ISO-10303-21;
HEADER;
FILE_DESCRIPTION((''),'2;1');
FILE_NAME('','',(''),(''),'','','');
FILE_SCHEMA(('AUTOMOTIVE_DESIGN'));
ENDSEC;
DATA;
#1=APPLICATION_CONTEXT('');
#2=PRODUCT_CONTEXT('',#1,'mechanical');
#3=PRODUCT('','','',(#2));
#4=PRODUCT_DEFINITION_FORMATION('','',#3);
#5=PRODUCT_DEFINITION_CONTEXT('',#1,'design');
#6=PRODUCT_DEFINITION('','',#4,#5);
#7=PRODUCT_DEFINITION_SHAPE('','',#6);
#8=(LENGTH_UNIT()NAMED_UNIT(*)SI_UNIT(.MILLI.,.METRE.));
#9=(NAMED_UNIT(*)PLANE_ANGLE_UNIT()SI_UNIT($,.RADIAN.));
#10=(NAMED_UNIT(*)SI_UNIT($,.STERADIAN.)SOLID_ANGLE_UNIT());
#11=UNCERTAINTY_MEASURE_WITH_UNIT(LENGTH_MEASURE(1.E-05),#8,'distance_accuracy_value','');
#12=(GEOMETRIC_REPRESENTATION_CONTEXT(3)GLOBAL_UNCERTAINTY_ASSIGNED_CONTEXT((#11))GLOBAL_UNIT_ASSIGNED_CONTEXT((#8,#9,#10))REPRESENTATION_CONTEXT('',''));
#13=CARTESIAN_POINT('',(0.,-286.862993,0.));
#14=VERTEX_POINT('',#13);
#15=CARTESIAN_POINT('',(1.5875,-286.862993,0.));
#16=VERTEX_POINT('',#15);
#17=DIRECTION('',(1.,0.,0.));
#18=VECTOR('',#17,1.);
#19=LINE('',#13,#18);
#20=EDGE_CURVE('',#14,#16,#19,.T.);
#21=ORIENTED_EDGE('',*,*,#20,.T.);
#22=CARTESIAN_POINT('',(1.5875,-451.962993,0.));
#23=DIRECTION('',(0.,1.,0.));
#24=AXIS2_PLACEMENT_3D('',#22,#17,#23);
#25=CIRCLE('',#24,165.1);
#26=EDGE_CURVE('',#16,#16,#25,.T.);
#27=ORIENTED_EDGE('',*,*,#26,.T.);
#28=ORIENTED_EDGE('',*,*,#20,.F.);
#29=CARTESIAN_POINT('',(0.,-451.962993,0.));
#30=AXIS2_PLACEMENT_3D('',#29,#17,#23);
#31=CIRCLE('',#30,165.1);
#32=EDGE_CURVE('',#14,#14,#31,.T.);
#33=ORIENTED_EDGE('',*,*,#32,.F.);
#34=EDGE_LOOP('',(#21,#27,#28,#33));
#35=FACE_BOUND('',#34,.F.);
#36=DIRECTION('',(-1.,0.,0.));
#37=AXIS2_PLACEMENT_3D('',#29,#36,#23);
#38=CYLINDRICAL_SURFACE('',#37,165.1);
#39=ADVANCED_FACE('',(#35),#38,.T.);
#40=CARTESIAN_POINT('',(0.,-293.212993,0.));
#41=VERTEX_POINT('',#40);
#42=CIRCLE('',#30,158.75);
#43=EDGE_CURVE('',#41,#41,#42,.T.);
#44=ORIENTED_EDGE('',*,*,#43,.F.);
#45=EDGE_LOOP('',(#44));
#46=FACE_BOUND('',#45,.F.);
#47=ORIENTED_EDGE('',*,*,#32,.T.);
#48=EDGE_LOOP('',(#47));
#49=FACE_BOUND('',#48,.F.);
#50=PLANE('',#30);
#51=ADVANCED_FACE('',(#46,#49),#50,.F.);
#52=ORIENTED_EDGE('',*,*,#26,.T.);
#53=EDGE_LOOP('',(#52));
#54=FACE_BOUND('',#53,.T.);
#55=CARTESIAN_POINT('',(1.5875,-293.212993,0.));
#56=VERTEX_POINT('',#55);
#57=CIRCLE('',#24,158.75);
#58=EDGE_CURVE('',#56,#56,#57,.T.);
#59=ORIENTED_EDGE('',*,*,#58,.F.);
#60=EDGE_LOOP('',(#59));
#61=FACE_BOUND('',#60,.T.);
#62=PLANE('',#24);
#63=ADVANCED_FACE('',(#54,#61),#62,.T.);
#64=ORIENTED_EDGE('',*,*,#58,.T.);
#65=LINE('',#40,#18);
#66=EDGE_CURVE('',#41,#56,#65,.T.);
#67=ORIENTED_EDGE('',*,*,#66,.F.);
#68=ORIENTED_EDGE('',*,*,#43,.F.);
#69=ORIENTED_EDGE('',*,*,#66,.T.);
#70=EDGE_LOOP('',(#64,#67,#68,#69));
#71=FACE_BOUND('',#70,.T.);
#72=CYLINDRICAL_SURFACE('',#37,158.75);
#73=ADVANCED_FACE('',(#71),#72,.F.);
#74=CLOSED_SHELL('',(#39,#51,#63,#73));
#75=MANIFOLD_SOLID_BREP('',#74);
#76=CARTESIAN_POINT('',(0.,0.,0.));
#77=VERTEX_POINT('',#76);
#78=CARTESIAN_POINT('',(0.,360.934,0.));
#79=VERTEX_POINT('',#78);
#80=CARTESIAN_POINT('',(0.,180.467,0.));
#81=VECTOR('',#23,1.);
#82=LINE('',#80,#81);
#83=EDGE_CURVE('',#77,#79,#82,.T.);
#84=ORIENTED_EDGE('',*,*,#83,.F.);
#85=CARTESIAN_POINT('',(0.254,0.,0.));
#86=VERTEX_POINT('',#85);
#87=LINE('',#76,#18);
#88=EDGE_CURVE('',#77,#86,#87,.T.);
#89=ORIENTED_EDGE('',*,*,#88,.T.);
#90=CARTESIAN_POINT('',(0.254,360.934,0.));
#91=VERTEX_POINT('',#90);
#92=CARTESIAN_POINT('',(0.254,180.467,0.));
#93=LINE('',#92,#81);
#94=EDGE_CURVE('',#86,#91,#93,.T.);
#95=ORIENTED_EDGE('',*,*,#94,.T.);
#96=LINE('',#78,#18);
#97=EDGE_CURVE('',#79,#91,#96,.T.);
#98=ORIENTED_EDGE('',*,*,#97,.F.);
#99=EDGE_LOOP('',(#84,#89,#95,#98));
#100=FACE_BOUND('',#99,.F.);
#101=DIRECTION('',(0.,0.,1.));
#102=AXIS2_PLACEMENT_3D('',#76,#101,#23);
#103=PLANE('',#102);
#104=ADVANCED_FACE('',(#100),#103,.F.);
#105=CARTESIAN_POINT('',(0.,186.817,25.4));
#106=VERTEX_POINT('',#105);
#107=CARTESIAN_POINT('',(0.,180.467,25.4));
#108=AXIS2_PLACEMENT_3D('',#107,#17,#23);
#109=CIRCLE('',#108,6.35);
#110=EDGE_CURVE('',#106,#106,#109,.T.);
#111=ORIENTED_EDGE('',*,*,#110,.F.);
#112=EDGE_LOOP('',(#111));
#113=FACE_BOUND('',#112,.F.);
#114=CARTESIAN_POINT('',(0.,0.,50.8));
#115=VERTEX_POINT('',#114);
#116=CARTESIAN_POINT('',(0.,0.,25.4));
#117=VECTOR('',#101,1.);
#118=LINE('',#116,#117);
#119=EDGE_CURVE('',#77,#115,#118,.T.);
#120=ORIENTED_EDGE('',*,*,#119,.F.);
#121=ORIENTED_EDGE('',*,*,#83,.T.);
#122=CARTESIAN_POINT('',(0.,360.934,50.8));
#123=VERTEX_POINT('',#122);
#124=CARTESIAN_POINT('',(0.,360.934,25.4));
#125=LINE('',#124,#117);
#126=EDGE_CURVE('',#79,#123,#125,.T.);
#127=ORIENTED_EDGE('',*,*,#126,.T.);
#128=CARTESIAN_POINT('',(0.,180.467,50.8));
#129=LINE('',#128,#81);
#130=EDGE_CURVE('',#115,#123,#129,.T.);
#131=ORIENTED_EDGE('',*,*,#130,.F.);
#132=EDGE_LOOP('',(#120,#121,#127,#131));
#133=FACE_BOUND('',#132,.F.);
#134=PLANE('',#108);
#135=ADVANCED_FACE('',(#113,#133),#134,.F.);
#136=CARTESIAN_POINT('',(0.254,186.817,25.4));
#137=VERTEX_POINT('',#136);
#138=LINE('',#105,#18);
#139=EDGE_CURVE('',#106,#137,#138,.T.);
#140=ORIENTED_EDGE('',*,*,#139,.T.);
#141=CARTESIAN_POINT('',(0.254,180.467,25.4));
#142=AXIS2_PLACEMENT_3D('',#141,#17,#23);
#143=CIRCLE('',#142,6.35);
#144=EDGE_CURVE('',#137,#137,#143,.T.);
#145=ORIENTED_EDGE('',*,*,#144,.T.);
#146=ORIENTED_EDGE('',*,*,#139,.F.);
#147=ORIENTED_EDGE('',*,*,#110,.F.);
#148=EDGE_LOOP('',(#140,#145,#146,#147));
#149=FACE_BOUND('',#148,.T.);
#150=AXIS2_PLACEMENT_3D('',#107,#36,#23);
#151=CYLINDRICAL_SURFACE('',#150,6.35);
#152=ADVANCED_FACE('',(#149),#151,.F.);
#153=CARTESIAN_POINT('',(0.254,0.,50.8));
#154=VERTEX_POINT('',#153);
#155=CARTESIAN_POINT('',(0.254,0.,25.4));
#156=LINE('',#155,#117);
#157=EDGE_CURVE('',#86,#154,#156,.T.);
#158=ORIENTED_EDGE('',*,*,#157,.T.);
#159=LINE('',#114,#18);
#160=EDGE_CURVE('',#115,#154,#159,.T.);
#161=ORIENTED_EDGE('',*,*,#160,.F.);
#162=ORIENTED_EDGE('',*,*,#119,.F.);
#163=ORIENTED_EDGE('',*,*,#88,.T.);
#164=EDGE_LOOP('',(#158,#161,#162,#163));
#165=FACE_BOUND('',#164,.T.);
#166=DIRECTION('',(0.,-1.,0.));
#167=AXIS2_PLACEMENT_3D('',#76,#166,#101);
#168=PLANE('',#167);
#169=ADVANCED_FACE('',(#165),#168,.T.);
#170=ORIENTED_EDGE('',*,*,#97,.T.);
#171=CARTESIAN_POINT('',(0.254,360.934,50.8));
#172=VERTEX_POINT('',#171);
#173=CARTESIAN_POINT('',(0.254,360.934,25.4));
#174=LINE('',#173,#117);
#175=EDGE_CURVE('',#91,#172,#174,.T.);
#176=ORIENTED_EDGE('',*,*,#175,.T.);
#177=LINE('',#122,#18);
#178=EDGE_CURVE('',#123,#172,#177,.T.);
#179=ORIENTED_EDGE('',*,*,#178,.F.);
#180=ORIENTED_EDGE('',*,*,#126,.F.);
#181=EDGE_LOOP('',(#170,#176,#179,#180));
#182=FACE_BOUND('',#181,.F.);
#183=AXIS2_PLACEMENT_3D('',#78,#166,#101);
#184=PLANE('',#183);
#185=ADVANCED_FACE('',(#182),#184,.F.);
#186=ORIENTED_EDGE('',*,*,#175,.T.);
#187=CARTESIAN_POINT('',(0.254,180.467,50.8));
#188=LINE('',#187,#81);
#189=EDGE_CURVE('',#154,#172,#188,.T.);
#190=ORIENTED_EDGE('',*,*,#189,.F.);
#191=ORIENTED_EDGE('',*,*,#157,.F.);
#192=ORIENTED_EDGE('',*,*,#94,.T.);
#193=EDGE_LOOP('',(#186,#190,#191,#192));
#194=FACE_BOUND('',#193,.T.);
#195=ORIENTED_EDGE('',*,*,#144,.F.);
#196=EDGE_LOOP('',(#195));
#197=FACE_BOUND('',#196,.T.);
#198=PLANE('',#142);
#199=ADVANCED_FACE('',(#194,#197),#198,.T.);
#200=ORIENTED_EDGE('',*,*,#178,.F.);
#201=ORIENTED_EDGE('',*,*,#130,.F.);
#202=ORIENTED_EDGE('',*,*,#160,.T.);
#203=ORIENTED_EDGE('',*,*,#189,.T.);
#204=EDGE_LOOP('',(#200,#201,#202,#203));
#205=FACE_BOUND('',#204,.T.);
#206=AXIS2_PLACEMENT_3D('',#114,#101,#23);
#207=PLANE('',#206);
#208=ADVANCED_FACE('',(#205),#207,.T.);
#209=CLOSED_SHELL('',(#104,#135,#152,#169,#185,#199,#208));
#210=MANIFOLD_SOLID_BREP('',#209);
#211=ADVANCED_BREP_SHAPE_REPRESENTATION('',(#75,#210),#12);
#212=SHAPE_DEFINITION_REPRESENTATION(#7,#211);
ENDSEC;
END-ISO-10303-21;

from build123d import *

# Parameters (mm, degrees)
F0_W     = 360.934
F0_H     = 50.8
F0_R     = 6.35
F1_DEPTH = 0.254
F2_R     = 165.1
F2_R_2   = 158.75
F3_DEPTH = 1.5875


with BuildPart() as f1:
    # F0 (on Right) → F1 (new body)
    with BuildSketch(Plane.YZ):
        with Locations((180.467, 25.4)):
            Rectangle(F0_W, F0_H)
        with Locations((180.467, 25.4)):
            Circle(F0_R, mode=Mode.SUBTRACT)
    extrude(amount=F1_DEPTH)


with BuildPart() as f3:
    # F2 (on Right) → F3 (new body)
    with BuildSketch(Plane.YZ):
        with Locations((-451.962993, 0)):
            Circle(F2_R)
        with Locations((-451.962993, 0)):
            Circle(F2_R_2, mode=Mode.SUBTRACT)
    extrude(amount=F3_DEPTH)


solid = Compound([f1.part, f3.part])
